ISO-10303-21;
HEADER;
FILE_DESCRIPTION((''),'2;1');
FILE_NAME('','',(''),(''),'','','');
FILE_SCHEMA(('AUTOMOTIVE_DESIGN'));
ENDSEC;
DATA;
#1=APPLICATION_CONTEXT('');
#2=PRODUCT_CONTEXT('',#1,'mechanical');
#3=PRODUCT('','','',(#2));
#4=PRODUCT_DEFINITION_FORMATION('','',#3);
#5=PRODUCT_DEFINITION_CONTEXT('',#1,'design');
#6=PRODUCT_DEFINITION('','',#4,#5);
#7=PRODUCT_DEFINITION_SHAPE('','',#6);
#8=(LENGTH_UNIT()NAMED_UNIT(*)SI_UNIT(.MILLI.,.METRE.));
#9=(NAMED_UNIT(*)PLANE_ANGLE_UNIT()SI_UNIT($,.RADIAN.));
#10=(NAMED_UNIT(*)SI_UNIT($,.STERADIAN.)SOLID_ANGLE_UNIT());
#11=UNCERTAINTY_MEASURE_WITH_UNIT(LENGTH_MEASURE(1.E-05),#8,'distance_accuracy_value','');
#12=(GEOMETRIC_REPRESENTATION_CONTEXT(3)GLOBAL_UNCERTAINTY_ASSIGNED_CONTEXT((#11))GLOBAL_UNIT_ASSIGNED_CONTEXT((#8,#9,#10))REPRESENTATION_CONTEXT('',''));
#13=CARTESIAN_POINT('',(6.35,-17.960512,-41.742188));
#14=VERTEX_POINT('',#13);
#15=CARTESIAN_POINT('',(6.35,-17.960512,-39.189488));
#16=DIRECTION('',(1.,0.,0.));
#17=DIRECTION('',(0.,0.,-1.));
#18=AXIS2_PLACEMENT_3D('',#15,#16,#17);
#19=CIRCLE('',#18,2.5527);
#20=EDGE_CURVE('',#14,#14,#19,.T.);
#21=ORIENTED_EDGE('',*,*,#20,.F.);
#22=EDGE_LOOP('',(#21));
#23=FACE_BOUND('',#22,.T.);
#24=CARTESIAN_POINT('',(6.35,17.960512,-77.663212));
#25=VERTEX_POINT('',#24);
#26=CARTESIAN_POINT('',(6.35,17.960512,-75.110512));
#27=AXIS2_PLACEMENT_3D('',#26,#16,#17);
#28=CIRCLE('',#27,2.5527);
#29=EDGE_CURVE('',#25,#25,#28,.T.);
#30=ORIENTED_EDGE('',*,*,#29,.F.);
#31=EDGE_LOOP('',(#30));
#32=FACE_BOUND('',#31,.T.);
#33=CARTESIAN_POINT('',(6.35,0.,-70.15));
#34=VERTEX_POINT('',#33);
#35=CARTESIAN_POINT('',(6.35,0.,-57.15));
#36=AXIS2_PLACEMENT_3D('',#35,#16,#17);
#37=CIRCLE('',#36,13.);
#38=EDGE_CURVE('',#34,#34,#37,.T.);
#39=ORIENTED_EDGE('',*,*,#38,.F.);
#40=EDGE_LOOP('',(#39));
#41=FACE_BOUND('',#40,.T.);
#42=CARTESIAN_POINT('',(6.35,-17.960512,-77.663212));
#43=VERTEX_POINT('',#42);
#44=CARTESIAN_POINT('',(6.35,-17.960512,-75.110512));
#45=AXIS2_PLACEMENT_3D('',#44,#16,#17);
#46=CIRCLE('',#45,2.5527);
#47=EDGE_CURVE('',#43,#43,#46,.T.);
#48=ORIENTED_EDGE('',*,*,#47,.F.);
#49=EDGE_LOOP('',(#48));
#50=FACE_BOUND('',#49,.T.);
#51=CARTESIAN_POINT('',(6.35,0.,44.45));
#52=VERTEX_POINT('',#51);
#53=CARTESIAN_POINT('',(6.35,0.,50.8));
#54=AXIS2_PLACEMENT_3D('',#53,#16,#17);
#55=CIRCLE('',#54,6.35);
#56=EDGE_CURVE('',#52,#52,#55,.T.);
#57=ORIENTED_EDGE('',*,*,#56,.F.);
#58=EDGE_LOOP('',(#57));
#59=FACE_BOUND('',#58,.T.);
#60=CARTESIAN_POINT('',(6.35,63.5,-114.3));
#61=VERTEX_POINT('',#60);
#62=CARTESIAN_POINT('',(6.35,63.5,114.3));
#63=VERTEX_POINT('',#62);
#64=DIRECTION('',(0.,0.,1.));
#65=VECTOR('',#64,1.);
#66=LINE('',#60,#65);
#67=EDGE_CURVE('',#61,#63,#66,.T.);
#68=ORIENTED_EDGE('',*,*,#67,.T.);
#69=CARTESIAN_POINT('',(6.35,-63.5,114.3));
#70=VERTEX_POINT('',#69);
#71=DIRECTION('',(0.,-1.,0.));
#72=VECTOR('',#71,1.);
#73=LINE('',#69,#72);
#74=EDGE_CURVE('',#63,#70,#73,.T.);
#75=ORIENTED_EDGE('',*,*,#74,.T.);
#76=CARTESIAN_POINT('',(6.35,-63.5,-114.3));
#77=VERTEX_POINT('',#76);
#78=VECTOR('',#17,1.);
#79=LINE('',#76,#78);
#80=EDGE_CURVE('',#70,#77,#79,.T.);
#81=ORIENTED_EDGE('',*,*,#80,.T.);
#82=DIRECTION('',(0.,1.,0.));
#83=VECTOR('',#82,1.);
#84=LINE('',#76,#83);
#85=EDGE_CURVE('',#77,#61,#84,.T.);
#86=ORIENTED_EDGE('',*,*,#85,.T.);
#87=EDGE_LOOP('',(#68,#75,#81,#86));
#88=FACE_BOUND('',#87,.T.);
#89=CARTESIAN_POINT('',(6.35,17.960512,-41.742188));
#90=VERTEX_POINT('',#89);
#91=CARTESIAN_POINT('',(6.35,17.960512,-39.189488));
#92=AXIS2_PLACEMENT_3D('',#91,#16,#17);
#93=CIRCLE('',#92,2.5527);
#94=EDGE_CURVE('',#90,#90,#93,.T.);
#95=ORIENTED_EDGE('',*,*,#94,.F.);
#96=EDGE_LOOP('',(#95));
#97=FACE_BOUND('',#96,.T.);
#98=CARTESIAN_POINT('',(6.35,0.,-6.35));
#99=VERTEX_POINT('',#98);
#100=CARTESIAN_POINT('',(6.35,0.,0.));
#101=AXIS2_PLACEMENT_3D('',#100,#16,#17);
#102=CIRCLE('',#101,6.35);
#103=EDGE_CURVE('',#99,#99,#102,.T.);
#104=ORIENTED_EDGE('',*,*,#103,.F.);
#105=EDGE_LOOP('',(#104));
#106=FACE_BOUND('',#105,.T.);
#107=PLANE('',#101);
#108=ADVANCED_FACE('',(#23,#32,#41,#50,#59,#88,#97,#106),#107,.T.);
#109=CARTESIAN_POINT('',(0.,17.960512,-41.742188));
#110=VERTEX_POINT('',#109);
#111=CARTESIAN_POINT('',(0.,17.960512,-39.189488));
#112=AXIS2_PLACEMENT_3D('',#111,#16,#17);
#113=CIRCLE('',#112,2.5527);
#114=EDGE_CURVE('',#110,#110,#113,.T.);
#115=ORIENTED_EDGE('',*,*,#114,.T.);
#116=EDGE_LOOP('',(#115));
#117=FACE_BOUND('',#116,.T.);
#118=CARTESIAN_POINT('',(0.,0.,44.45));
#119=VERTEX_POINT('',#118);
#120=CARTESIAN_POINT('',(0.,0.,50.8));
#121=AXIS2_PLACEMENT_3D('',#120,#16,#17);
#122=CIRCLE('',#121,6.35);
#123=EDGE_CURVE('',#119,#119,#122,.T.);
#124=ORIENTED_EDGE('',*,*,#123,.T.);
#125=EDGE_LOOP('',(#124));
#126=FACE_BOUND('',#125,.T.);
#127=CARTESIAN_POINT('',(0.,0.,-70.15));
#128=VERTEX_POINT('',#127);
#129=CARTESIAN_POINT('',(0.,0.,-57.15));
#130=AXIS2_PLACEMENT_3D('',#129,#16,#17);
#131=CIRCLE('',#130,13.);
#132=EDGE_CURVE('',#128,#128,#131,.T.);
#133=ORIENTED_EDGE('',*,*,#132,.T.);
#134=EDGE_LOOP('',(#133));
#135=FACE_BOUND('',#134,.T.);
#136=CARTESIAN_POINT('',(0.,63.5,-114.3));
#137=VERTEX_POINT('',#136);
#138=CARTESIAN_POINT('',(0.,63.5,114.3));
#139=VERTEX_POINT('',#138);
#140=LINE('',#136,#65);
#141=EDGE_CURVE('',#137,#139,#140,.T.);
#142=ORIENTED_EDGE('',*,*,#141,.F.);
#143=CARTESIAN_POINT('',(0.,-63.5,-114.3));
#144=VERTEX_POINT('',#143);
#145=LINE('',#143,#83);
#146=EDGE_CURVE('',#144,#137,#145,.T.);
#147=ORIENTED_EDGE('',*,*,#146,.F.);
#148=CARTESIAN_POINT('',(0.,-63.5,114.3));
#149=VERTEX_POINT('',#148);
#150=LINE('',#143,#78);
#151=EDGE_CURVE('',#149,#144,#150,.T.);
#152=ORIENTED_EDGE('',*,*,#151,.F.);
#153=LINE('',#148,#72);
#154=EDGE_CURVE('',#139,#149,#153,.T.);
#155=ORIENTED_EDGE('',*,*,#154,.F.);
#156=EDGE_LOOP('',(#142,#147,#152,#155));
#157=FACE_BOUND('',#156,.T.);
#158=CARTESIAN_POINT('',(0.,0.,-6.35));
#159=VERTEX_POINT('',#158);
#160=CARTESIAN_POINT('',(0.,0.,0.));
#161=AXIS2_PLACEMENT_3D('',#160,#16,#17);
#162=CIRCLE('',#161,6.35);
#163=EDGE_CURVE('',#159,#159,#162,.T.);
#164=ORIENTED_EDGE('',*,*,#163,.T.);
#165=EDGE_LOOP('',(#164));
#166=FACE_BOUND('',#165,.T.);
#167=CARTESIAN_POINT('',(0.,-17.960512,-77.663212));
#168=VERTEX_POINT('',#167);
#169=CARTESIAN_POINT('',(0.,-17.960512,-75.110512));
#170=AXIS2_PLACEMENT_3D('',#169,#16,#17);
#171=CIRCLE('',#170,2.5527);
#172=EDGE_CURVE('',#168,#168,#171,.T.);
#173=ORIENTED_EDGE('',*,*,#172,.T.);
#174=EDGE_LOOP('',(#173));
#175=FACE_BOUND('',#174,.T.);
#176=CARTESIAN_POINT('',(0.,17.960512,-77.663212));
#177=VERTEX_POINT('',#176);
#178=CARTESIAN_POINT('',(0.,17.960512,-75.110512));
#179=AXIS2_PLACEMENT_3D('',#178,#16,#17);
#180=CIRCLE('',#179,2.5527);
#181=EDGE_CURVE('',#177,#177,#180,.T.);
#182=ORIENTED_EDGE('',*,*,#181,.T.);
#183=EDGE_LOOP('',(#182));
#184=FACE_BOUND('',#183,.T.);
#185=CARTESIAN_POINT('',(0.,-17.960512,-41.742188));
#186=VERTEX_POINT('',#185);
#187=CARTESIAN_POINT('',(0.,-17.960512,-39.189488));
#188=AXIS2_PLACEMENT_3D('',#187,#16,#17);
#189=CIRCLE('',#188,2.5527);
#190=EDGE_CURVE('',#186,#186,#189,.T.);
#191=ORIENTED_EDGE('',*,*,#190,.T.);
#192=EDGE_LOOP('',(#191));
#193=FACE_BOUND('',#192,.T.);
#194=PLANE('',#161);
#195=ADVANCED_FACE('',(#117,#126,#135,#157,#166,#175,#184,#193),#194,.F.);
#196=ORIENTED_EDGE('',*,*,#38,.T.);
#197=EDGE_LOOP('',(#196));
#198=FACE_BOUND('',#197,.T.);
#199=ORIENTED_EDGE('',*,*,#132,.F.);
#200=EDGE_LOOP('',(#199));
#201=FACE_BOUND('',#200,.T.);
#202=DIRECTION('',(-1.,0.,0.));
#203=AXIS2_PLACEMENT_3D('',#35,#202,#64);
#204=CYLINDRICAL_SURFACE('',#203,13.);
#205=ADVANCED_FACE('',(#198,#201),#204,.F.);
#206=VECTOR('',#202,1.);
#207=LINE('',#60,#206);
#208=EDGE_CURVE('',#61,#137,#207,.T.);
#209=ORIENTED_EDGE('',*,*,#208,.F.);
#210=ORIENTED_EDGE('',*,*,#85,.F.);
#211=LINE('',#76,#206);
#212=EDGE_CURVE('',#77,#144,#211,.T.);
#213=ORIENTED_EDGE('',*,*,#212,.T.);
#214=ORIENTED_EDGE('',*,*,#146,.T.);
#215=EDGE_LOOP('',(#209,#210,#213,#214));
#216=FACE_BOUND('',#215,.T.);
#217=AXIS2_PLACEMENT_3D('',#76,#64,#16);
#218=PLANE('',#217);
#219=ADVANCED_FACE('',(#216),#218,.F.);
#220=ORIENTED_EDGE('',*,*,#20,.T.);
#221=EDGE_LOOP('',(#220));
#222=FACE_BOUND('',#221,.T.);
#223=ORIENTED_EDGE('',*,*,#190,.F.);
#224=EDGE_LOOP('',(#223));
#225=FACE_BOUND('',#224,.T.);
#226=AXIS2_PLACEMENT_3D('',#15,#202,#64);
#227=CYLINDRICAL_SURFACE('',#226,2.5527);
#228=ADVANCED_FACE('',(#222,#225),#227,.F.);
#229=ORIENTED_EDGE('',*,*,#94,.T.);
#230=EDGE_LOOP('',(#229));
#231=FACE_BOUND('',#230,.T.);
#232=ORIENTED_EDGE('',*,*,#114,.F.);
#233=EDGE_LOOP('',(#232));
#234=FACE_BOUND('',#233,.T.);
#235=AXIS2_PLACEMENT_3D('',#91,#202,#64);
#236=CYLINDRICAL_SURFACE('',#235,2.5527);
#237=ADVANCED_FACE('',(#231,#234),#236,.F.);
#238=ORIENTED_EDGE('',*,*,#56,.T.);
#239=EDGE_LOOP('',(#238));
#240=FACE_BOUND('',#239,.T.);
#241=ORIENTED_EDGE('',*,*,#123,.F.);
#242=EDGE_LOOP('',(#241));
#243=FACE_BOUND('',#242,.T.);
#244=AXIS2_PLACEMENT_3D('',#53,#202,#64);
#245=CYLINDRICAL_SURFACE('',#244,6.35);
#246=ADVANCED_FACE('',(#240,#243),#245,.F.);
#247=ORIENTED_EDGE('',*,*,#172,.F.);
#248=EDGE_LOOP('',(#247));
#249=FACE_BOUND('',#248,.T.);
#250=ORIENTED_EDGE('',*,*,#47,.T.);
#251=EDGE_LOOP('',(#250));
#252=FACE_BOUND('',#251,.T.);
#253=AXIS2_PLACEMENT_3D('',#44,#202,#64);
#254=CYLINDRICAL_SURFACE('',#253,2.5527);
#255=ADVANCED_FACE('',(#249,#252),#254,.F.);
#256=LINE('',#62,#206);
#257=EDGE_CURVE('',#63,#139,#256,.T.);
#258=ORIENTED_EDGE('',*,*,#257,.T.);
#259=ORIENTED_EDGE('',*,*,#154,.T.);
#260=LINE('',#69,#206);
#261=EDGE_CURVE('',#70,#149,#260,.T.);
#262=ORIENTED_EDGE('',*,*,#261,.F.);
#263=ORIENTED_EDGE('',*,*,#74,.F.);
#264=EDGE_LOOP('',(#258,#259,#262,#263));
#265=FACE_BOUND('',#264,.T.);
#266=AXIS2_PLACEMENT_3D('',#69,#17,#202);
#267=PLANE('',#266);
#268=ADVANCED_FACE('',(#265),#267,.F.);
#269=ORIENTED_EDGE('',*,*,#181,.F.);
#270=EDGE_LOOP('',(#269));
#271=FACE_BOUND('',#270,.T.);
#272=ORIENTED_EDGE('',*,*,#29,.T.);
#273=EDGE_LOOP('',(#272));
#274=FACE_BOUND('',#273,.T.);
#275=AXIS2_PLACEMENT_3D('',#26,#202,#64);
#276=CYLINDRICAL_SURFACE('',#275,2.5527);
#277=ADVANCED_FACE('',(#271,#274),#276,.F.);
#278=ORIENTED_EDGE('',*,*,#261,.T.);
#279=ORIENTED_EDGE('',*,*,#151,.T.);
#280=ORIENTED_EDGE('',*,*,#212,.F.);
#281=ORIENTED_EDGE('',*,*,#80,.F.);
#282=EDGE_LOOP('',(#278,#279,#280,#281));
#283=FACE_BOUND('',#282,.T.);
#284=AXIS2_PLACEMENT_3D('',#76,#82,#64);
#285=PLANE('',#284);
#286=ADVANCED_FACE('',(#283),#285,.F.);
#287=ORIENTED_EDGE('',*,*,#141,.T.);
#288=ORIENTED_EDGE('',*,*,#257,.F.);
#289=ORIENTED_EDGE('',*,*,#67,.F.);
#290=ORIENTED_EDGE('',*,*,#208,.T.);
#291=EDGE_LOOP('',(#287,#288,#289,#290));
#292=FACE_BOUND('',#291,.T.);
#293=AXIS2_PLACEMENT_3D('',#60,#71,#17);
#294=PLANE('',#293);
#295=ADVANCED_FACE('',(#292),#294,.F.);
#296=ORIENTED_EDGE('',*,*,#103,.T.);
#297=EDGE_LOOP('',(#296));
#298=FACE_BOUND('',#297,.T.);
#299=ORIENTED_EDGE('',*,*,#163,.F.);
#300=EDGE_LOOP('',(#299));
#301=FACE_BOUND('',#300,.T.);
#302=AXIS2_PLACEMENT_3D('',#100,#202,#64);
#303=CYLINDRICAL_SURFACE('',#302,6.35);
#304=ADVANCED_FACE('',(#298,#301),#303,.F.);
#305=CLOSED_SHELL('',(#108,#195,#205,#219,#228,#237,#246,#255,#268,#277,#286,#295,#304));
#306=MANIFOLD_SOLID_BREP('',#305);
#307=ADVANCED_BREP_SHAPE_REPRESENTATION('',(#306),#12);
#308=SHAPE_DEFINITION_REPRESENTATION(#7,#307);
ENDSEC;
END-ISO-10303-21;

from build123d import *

# Parameters (mm, degrees)
SKETCH2_W           = 228.6
SKETCH2_H           = 127
SKETCH2_R           = 6.35
SKETCH2_R_2         = 13.000000035
SKETCH2_R_3         = 2.5527
BOSS_EXTRUDE2_DEPTH = 6.35


with BuildPart() as part:
    # Sketch2 → Boss-Extrude2 (new body)
    with BuildSketch(Plane(origin=(0, 0, 0), x_dir=(0, 0, -1), z_dir=(1, 0, 0))):
        Rectangle(SKETCH2_W, SKETCH2_H)
        with Locations((-50.8, 0)):
            Circle(SKETCH2_R, mode=Mode.SUBTRACT)
        with Locations((57.15, 0)):
            Circle(SKETCH2_R_2, mode=Mode.SUBTRACT)
        Circle(SKETCH2_R, mode=Mode.SUBTRACT)
        with Locations((75.110512242, 17.960512242)):
            Circle(SKETCH2_R_3, mode=Mode.SUBTRACT)
        with Locations((75.110512242, -17.960512242)):
            Circle(SKETCH2_R_3, mode=Mode.SUBTRACT)
        with Locations((39.189487758, -17.960512242)):
            Circle(SKETCH2_R_3, mode=Mode.SUBTRACT)
        with Locations((39.189487758, 17.960512242)):
            Circle(SKETCH2_R_3, mode=Mode.SUBTRACT)
    extrude(amount=BOSS_EXTRUDE2_DEPTH)


solid = part.part
